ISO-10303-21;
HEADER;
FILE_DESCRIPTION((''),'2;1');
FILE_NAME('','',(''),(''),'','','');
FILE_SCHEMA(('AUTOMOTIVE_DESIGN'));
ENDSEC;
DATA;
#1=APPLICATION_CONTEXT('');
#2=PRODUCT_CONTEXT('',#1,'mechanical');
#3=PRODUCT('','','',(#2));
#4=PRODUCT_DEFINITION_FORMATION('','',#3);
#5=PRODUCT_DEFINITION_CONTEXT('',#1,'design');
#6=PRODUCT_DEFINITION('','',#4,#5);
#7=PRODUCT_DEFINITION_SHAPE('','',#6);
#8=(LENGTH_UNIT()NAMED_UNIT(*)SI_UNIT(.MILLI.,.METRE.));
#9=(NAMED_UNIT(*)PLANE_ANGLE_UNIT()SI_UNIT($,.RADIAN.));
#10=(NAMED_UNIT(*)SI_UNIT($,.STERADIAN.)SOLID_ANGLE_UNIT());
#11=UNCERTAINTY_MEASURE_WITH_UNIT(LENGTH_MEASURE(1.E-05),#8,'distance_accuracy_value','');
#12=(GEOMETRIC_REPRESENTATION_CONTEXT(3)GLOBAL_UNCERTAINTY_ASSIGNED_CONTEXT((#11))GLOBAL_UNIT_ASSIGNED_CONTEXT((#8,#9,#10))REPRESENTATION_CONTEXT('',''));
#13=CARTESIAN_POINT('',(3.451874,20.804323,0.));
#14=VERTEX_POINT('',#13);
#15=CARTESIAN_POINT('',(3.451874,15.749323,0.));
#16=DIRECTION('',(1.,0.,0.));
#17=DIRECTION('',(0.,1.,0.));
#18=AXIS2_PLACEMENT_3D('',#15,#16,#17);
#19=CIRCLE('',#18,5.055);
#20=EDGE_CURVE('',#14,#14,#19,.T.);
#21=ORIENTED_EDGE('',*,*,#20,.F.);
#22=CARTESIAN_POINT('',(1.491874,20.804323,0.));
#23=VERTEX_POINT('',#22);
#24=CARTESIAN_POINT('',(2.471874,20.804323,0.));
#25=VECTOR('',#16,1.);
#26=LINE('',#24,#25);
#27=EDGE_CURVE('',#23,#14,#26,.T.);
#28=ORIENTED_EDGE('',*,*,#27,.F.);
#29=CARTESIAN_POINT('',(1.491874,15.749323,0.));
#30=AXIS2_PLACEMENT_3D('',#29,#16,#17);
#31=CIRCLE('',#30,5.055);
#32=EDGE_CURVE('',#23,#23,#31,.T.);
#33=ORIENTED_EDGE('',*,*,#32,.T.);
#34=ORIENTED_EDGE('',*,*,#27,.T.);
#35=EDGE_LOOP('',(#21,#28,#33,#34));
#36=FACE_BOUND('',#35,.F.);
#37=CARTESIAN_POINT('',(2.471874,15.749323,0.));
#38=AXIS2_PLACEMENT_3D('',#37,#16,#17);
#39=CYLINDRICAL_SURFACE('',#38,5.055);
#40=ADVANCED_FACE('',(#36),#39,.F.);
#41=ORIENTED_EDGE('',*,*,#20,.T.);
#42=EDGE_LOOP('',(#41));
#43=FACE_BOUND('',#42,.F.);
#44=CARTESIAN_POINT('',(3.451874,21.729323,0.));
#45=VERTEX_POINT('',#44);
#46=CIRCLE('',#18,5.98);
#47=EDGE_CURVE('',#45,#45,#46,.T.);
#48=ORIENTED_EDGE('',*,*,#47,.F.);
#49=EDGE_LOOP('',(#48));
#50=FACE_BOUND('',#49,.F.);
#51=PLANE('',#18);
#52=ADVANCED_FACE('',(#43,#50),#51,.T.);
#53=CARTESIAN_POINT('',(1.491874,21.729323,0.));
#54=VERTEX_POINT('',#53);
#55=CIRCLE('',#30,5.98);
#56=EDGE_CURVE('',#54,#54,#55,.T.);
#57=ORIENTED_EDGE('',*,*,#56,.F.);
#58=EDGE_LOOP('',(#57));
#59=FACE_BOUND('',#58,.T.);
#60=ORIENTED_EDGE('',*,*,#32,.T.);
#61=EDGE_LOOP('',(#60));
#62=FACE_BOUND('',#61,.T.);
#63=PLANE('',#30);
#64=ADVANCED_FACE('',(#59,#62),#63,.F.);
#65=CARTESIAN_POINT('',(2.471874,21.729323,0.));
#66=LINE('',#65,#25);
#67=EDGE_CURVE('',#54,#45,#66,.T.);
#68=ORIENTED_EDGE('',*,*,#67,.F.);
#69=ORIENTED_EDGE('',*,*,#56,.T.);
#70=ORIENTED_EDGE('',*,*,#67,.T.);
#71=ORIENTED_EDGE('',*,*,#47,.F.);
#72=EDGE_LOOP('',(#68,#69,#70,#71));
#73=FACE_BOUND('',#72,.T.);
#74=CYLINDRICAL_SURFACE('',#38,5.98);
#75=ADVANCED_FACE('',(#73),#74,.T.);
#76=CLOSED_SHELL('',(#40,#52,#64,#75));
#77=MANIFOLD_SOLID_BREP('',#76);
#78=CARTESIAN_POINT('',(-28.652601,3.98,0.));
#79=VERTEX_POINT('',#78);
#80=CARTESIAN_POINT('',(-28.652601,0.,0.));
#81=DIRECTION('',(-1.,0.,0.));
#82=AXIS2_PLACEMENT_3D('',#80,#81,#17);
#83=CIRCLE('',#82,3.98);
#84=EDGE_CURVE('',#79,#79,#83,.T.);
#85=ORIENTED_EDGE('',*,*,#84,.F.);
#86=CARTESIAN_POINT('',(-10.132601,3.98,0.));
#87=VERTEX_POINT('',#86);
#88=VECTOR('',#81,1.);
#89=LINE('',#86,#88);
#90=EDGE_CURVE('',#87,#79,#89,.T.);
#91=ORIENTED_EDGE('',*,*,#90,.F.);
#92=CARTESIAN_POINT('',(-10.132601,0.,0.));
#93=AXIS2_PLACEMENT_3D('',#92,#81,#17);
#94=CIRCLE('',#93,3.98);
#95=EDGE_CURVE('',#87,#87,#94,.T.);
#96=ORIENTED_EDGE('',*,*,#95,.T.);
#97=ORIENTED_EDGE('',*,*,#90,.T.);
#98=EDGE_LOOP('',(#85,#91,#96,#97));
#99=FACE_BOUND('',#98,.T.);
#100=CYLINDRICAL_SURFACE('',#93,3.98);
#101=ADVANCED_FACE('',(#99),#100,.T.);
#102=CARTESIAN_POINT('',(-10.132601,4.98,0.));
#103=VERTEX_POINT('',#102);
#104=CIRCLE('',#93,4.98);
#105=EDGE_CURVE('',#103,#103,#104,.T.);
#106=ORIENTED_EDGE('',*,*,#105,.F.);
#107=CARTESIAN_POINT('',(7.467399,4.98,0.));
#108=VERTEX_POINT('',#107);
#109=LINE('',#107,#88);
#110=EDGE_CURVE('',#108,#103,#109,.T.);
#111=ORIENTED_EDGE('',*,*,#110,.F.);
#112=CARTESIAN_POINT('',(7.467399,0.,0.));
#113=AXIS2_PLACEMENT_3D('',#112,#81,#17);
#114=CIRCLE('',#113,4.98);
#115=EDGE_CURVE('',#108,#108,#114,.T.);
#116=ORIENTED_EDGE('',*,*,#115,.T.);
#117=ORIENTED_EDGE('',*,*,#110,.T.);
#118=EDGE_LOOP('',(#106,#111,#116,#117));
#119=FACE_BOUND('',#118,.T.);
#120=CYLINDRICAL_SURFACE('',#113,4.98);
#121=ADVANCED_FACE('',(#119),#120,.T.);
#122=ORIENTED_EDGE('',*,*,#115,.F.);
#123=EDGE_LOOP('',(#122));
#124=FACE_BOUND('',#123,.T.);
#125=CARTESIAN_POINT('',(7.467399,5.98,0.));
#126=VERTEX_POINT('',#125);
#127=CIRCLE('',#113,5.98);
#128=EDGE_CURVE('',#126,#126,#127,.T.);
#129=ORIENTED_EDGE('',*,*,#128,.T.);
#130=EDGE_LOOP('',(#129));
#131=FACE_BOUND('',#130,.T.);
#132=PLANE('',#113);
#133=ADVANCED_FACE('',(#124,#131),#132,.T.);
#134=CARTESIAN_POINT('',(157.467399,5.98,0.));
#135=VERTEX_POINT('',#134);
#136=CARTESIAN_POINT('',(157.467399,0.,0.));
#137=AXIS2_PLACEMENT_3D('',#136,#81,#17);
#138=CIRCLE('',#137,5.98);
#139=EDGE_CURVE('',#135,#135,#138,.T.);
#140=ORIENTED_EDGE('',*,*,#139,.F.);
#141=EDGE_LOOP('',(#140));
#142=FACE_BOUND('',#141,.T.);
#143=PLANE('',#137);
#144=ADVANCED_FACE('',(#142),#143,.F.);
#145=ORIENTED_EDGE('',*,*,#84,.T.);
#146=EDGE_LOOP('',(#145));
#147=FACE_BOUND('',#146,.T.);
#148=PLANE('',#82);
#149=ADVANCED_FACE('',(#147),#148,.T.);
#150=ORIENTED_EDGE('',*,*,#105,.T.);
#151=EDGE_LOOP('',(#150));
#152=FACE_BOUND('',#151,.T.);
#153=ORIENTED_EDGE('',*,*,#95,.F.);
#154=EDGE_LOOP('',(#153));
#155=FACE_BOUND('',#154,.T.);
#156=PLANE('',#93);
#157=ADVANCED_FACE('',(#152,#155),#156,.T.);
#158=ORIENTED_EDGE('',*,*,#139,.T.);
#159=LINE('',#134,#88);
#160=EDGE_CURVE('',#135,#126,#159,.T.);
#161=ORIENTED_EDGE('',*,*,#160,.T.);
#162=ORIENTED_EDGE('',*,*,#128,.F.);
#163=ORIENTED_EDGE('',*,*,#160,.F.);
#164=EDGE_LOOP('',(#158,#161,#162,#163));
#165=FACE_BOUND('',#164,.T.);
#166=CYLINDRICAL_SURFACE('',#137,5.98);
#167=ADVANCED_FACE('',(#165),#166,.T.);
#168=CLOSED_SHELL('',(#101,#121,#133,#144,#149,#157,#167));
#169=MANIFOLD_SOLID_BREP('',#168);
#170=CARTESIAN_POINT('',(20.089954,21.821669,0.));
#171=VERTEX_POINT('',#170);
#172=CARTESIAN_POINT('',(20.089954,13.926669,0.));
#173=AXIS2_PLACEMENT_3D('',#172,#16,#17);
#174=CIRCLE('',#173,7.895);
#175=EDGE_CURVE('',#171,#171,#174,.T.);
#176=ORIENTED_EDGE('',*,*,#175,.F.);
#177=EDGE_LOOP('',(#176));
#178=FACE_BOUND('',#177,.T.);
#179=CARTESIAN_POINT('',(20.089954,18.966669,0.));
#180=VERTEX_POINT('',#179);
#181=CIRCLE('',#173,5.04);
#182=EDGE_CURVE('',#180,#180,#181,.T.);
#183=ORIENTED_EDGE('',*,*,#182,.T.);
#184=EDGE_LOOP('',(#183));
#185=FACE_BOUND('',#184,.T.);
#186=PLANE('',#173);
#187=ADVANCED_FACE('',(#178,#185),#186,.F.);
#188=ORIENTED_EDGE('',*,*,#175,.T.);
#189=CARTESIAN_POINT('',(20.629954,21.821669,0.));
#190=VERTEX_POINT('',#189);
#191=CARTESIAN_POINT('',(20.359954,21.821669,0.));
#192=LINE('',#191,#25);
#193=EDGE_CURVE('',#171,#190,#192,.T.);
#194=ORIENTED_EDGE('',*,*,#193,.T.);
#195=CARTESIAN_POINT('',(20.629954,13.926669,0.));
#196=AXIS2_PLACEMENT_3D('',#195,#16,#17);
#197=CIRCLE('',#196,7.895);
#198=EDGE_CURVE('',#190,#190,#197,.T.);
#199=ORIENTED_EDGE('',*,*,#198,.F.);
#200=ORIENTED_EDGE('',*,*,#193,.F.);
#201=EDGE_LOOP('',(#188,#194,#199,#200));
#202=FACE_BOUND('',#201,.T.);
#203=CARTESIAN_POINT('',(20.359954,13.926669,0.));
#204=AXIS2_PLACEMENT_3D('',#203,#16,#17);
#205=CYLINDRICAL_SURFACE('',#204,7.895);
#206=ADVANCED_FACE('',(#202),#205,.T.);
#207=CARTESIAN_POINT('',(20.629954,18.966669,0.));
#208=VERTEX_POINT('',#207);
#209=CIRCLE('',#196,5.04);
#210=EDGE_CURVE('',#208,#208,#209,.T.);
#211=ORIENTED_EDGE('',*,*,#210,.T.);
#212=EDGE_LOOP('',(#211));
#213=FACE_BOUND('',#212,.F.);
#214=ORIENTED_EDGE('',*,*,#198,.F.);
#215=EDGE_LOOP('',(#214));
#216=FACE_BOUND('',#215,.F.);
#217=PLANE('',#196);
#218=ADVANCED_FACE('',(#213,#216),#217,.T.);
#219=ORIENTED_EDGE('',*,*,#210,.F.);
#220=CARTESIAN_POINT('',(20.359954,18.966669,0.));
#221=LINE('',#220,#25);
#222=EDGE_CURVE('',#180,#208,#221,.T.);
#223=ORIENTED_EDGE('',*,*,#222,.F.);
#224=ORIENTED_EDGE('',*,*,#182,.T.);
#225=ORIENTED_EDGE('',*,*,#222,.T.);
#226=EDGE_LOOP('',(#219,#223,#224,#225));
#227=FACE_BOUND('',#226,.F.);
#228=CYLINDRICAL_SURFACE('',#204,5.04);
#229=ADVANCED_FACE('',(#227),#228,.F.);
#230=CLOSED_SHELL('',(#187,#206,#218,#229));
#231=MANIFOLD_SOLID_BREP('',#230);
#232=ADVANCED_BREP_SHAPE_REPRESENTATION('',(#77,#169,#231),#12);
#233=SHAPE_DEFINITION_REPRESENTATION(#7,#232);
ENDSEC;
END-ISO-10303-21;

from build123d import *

# Parameters (mm, degrees)
F2_W = 1.96
F2_H = 0.925
F4_W = 0.54
F4_H = 2.855


with BuildPart() as f1:
    # F0 (on Top) → F1 (revolve)
    with BuildSketch(Plane.XY):
        Polygon((-28.652601, 3.98), (-28.652601, 0), (157.467399, 0), (157.467399, 5.98), (7.467399, 5.98), (7.467399, 4.98), (-10.132601, 4.98), (-10.132601, 3.98), align=None)
    revolve(axis=Axis((64.407399, 0, 0), (-1, 0, 0)))


with BuildPart() as f3:
    # F2 (on Top) → F3 (revolve)
    with BuildSketch(Plane.XY):
        with Locations((2.471874, 21.266823)):
            Rectangle(F2_W, F2_H)
    revolve(axis=Axis((3.085692, 15.749323, 0), (1, 0, 0)))


with BuildPart() as f5:
    # F4 (on Top) → F5 (revolve)
    with BuildSketch(Plane.XY):
        with Locations((20.359954, 20.394169)):
            Rectangle(F4_W, F4_H)
    revolve(axis=Axis((24.295919, 13.926669, 0), (1, 0, 0)))


solid = Compound([f1.part, f3.part, f5.part])
